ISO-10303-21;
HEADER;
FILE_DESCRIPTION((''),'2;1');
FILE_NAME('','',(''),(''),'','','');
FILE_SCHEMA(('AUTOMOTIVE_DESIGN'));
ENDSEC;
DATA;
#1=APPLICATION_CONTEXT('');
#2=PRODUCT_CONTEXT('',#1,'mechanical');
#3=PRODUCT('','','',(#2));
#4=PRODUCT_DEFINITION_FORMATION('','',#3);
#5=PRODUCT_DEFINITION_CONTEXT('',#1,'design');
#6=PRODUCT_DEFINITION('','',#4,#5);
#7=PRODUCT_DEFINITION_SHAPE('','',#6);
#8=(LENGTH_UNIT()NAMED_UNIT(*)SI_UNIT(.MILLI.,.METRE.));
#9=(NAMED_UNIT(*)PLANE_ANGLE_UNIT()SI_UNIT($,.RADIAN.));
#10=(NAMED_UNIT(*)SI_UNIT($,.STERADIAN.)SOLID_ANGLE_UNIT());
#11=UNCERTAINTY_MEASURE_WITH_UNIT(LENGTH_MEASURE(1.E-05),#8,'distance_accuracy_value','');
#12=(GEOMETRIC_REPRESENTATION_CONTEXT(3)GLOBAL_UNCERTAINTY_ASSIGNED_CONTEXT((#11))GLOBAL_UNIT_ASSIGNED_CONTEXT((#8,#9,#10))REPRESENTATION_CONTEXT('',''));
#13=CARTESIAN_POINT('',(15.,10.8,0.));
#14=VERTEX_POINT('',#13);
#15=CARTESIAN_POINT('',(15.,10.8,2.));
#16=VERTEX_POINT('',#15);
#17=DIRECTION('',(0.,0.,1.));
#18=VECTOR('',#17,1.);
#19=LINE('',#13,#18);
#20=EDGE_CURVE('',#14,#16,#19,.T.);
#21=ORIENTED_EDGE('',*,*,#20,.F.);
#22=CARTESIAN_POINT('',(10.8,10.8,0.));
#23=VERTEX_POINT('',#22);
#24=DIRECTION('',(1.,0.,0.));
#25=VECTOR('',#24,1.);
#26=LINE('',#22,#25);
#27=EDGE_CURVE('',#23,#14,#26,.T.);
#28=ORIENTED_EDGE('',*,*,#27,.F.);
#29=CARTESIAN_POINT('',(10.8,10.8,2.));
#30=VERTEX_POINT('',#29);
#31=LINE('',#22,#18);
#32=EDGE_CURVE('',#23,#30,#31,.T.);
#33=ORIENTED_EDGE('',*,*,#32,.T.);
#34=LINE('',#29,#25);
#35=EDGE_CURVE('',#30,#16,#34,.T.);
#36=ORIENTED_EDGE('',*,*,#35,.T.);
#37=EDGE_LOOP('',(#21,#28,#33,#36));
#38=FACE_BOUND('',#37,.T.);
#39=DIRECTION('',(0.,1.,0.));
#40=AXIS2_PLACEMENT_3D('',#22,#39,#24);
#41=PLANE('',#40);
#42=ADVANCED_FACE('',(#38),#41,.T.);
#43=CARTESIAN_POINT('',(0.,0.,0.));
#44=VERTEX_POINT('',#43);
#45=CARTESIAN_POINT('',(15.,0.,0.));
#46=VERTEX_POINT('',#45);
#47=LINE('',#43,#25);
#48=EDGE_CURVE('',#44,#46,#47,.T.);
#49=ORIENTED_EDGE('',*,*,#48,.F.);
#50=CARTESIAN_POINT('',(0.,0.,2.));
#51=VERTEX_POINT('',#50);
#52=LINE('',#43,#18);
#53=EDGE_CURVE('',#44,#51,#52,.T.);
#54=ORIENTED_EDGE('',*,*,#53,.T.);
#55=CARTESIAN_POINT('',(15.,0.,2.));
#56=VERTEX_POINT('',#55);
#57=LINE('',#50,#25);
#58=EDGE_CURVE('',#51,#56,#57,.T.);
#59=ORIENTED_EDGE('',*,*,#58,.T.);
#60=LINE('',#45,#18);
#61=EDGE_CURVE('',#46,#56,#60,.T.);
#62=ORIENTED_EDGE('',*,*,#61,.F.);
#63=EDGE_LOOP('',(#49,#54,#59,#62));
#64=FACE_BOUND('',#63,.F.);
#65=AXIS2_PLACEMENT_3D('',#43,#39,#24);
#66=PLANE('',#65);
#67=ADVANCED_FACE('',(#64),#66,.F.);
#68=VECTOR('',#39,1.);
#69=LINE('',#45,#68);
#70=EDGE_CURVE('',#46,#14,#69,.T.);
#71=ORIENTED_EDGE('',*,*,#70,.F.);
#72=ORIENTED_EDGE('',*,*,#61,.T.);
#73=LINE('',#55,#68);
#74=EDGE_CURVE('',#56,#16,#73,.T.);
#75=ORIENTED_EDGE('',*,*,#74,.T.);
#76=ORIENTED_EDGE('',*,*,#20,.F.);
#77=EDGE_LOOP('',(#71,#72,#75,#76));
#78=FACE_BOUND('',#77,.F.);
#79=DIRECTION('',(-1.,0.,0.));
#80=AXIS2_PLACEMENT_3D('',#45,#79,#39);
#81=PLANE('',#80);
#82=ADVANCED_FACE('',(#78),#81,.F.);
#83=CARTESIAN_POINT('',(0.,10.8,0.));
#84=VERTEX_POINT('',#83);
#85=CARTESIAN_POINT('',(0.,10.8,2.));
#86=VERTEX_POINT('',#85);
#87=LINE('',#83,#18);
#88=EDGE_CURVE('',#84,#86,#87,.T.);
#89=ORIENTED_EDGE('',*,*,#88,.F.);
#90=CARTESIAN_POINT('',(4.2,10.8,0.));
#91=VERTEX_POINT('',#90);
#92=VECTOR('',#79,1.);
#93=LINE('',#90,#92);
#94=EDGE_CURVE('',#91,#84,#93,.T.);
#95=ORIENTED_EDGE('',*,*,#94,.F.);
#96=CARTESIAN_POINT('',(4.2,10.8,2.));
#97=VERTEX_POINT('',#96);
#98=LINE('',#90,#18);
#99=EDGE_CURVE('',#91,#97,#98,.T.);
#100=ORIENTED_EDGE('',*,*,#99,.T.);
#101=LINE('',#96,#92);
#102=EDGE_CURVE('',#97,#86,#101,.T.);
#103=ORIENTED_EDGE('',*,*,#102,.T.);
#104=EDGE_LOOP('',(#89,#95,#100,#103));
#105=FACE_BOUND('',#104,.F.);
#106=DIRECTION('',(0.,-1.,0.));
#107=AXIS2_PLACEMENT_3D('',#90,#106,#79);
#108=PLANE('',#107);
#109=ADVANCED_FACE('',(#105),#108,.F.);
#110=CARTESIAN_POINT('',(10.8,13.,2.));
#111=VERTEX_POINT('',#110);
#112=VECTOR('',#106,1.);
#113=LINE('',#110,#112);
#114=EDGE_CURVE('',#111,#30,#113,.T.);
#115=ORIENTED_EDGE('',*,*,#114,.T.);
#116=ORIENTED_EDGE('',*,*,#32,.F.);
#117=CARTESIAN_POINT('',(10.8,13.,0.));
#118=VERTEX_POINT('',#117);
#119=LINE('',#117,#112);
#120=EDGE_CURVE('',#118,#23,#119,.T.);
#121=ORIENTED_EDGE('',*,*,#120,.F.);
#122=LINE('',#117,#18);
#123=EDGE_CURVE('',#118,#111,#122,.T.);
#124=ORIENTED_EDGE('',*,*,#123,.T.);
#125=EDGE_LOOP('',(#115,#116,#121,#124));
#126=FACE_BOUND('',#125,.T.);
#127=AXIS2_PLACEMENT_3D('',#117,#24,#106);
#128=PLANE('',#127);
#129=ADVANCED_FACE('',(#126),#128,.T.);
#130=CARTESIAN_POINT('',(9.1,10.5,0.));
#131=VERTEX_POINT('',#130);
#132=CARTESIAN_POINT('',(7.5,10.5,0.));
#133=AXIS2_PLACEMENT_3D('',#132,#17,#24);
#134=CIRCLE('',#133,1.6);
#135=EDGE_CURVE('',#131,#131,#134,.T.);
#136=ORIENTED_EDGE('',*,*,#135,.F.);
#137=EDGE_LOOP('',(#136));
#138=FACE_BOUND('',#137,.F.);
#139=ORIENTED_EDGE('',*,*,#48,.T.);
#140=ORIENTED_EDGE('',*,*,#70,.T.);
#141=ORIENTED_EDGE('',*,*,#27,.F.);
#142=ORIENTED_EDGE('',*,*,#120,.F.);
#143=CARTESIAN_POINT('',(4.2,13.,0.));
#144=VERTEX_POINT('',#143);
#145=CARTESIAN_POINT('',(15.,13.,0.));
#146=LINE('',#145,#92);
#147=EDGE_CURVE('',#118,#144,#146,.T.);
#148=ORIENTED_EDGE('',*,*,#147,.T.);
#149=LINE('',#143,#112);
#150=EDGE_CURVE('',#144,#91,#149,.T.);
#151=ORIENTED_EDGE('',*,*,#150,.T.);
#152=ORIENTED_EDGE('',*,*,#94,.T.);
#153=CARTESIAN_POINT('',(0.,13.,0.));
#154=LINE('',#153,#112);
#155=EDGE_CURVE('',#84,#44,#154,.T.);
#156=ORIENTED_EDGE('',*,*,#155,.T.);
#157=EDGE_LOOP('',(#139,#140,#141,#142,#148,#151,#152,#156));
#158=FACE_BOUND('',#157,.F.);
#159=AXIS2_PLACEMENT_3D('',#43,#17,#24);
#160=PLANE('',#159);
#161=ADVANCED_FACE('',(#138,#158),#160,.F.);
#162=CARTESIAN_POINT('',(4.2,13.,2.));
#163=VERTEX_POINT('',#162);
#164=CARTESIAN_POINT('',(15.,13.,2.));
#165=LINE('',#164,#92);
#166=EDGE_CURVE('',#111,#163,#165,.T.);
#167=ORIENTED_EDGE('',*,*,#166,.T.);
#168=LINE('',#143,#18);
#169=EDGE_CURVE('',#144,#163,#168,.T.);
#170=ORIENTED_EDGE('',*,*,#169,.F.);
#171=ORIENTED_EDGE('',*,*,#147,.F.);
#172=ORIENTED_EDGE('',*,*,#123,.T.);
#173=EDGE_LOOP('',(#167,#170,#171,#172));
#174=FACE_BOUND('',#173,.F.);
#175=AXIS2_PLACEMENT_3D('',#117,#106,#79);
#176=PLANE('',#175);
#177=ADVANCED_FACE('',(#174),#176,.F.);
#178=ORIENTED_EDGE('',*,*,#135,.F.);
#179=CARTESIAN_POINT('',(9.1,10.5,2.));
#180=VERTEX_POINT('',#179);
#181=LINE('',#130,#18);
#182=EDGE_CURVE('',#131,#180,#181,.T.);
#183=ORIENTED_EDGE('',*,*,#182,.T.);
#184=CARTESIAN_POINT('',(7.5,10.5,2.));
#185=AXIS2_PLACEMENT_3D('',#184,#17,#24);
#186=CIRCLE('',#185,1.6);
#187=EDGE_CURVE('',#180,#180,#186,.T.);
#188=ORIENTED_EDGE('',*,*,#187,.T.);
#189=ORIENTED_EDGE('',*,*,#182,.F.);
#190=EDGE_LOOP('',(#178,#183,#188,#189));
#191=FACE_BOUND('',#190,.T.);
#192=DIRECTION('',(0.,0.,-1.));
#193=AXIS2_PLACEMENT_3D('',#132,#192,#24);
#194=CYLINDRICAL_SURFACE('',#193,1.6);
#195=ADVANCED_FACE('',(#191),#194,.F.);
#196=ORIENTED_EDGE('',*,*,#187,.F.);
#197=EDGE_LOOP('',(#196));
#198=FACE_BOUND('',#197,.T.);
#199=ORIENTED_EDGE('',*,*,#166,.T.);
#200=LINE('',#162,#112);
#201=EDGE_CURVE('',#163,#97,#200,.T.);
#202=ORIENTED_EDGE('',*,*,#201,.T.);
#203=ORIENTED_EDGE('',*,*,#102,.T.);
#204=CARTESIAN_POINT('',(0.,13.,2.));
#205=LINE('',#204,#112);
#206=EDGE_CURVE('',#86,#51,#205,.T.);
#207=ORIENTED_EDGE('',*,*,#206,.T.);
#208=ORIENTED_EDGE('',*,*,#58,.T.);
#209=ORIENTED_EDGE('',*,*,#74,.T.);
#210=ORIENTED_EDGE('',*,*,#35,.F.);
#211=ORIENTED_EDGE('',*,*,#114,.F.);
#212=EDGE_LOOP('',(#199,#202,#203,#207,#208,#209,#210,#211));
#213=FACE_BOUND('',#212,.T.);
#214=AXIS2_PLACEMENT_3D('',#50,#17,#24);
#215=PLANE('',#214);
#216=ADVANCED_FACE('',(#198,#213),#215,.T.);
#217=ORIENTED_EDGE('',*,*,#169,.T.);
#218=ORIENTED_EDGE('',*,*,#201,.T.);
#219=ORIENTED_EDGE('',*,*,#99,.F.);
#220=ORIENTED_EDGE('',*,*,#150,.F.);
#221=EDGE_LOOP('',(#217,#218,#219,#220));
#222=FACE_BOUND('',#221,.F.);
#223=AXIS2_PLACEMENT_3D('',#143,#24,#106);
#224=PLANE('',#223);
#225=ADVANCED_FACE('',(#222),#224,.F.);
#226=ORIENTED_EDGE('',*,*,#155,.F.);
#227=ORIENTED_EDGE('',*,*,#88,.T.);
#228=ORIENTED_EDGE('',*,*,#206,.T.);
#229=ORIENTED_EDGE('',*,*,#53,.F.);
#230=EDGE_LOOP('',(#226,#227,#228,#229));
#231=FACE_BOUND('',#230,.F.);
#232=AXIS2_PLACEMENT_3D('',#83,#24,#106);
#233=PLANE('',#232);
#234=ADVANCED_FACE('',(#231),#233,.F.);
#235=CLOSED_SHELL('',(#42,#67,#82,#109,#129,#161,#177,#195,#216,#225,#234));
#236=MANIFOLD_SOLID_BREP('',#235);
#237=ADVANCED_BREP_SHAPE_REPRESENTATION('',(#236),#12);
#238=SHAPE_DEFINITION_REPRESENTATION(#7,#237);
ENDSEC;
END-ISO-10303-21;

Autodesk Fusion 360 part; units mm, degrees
sketch "Esquisse1" plane through (0, 0, 0) normal (0, 0, 1) x (1, 0, 0)
  line L0 (0, 0) -> (15, 0)
  line L1 (15, 0) -> (15, 13)
  line L2 (15, 13) -> (0, 13)
  line L3 (0, 13) -> (0, 0)
  line L4 (0, 13) -> (4.2, 13)
  line L5 (4.2, 13) -> (4.2, 10.8)
  line L6 (4.2, 10.8) -> (0, 10.8)
  line L7 (0, 10.8) -> (0, 13)
  line L8 (15, 13) -> (10.8, 13)
  line L9 (10.8, 13) -> (10.8, 10.8)
  line L10 (10.8, 10.8) -> (15, 10.8)
  line L11 (15, 10.8) -> (15, 13)
  line L12 (0, 8) -> (15, 8) construction
  line L13 (7.5, 8) -> (7.5, 13) construction
  circle A0 centre (7.5, 10.5) radius 1.6
  dimension "d1" = 15
  dimension "d2" = 13
  dimension "d3" = 4.2
  dimension "d4" = 2.2
  dimension "d5" = 4.2
  dimension "d6" = 2.2
  dimension "d9" = 5
  dimension "d10" = 3.2
extrude "Extrusion1" add sketch "Esquisse1" along normal blind 2 contours L0 L1 L2 L3 L5 L6 L9 L10
